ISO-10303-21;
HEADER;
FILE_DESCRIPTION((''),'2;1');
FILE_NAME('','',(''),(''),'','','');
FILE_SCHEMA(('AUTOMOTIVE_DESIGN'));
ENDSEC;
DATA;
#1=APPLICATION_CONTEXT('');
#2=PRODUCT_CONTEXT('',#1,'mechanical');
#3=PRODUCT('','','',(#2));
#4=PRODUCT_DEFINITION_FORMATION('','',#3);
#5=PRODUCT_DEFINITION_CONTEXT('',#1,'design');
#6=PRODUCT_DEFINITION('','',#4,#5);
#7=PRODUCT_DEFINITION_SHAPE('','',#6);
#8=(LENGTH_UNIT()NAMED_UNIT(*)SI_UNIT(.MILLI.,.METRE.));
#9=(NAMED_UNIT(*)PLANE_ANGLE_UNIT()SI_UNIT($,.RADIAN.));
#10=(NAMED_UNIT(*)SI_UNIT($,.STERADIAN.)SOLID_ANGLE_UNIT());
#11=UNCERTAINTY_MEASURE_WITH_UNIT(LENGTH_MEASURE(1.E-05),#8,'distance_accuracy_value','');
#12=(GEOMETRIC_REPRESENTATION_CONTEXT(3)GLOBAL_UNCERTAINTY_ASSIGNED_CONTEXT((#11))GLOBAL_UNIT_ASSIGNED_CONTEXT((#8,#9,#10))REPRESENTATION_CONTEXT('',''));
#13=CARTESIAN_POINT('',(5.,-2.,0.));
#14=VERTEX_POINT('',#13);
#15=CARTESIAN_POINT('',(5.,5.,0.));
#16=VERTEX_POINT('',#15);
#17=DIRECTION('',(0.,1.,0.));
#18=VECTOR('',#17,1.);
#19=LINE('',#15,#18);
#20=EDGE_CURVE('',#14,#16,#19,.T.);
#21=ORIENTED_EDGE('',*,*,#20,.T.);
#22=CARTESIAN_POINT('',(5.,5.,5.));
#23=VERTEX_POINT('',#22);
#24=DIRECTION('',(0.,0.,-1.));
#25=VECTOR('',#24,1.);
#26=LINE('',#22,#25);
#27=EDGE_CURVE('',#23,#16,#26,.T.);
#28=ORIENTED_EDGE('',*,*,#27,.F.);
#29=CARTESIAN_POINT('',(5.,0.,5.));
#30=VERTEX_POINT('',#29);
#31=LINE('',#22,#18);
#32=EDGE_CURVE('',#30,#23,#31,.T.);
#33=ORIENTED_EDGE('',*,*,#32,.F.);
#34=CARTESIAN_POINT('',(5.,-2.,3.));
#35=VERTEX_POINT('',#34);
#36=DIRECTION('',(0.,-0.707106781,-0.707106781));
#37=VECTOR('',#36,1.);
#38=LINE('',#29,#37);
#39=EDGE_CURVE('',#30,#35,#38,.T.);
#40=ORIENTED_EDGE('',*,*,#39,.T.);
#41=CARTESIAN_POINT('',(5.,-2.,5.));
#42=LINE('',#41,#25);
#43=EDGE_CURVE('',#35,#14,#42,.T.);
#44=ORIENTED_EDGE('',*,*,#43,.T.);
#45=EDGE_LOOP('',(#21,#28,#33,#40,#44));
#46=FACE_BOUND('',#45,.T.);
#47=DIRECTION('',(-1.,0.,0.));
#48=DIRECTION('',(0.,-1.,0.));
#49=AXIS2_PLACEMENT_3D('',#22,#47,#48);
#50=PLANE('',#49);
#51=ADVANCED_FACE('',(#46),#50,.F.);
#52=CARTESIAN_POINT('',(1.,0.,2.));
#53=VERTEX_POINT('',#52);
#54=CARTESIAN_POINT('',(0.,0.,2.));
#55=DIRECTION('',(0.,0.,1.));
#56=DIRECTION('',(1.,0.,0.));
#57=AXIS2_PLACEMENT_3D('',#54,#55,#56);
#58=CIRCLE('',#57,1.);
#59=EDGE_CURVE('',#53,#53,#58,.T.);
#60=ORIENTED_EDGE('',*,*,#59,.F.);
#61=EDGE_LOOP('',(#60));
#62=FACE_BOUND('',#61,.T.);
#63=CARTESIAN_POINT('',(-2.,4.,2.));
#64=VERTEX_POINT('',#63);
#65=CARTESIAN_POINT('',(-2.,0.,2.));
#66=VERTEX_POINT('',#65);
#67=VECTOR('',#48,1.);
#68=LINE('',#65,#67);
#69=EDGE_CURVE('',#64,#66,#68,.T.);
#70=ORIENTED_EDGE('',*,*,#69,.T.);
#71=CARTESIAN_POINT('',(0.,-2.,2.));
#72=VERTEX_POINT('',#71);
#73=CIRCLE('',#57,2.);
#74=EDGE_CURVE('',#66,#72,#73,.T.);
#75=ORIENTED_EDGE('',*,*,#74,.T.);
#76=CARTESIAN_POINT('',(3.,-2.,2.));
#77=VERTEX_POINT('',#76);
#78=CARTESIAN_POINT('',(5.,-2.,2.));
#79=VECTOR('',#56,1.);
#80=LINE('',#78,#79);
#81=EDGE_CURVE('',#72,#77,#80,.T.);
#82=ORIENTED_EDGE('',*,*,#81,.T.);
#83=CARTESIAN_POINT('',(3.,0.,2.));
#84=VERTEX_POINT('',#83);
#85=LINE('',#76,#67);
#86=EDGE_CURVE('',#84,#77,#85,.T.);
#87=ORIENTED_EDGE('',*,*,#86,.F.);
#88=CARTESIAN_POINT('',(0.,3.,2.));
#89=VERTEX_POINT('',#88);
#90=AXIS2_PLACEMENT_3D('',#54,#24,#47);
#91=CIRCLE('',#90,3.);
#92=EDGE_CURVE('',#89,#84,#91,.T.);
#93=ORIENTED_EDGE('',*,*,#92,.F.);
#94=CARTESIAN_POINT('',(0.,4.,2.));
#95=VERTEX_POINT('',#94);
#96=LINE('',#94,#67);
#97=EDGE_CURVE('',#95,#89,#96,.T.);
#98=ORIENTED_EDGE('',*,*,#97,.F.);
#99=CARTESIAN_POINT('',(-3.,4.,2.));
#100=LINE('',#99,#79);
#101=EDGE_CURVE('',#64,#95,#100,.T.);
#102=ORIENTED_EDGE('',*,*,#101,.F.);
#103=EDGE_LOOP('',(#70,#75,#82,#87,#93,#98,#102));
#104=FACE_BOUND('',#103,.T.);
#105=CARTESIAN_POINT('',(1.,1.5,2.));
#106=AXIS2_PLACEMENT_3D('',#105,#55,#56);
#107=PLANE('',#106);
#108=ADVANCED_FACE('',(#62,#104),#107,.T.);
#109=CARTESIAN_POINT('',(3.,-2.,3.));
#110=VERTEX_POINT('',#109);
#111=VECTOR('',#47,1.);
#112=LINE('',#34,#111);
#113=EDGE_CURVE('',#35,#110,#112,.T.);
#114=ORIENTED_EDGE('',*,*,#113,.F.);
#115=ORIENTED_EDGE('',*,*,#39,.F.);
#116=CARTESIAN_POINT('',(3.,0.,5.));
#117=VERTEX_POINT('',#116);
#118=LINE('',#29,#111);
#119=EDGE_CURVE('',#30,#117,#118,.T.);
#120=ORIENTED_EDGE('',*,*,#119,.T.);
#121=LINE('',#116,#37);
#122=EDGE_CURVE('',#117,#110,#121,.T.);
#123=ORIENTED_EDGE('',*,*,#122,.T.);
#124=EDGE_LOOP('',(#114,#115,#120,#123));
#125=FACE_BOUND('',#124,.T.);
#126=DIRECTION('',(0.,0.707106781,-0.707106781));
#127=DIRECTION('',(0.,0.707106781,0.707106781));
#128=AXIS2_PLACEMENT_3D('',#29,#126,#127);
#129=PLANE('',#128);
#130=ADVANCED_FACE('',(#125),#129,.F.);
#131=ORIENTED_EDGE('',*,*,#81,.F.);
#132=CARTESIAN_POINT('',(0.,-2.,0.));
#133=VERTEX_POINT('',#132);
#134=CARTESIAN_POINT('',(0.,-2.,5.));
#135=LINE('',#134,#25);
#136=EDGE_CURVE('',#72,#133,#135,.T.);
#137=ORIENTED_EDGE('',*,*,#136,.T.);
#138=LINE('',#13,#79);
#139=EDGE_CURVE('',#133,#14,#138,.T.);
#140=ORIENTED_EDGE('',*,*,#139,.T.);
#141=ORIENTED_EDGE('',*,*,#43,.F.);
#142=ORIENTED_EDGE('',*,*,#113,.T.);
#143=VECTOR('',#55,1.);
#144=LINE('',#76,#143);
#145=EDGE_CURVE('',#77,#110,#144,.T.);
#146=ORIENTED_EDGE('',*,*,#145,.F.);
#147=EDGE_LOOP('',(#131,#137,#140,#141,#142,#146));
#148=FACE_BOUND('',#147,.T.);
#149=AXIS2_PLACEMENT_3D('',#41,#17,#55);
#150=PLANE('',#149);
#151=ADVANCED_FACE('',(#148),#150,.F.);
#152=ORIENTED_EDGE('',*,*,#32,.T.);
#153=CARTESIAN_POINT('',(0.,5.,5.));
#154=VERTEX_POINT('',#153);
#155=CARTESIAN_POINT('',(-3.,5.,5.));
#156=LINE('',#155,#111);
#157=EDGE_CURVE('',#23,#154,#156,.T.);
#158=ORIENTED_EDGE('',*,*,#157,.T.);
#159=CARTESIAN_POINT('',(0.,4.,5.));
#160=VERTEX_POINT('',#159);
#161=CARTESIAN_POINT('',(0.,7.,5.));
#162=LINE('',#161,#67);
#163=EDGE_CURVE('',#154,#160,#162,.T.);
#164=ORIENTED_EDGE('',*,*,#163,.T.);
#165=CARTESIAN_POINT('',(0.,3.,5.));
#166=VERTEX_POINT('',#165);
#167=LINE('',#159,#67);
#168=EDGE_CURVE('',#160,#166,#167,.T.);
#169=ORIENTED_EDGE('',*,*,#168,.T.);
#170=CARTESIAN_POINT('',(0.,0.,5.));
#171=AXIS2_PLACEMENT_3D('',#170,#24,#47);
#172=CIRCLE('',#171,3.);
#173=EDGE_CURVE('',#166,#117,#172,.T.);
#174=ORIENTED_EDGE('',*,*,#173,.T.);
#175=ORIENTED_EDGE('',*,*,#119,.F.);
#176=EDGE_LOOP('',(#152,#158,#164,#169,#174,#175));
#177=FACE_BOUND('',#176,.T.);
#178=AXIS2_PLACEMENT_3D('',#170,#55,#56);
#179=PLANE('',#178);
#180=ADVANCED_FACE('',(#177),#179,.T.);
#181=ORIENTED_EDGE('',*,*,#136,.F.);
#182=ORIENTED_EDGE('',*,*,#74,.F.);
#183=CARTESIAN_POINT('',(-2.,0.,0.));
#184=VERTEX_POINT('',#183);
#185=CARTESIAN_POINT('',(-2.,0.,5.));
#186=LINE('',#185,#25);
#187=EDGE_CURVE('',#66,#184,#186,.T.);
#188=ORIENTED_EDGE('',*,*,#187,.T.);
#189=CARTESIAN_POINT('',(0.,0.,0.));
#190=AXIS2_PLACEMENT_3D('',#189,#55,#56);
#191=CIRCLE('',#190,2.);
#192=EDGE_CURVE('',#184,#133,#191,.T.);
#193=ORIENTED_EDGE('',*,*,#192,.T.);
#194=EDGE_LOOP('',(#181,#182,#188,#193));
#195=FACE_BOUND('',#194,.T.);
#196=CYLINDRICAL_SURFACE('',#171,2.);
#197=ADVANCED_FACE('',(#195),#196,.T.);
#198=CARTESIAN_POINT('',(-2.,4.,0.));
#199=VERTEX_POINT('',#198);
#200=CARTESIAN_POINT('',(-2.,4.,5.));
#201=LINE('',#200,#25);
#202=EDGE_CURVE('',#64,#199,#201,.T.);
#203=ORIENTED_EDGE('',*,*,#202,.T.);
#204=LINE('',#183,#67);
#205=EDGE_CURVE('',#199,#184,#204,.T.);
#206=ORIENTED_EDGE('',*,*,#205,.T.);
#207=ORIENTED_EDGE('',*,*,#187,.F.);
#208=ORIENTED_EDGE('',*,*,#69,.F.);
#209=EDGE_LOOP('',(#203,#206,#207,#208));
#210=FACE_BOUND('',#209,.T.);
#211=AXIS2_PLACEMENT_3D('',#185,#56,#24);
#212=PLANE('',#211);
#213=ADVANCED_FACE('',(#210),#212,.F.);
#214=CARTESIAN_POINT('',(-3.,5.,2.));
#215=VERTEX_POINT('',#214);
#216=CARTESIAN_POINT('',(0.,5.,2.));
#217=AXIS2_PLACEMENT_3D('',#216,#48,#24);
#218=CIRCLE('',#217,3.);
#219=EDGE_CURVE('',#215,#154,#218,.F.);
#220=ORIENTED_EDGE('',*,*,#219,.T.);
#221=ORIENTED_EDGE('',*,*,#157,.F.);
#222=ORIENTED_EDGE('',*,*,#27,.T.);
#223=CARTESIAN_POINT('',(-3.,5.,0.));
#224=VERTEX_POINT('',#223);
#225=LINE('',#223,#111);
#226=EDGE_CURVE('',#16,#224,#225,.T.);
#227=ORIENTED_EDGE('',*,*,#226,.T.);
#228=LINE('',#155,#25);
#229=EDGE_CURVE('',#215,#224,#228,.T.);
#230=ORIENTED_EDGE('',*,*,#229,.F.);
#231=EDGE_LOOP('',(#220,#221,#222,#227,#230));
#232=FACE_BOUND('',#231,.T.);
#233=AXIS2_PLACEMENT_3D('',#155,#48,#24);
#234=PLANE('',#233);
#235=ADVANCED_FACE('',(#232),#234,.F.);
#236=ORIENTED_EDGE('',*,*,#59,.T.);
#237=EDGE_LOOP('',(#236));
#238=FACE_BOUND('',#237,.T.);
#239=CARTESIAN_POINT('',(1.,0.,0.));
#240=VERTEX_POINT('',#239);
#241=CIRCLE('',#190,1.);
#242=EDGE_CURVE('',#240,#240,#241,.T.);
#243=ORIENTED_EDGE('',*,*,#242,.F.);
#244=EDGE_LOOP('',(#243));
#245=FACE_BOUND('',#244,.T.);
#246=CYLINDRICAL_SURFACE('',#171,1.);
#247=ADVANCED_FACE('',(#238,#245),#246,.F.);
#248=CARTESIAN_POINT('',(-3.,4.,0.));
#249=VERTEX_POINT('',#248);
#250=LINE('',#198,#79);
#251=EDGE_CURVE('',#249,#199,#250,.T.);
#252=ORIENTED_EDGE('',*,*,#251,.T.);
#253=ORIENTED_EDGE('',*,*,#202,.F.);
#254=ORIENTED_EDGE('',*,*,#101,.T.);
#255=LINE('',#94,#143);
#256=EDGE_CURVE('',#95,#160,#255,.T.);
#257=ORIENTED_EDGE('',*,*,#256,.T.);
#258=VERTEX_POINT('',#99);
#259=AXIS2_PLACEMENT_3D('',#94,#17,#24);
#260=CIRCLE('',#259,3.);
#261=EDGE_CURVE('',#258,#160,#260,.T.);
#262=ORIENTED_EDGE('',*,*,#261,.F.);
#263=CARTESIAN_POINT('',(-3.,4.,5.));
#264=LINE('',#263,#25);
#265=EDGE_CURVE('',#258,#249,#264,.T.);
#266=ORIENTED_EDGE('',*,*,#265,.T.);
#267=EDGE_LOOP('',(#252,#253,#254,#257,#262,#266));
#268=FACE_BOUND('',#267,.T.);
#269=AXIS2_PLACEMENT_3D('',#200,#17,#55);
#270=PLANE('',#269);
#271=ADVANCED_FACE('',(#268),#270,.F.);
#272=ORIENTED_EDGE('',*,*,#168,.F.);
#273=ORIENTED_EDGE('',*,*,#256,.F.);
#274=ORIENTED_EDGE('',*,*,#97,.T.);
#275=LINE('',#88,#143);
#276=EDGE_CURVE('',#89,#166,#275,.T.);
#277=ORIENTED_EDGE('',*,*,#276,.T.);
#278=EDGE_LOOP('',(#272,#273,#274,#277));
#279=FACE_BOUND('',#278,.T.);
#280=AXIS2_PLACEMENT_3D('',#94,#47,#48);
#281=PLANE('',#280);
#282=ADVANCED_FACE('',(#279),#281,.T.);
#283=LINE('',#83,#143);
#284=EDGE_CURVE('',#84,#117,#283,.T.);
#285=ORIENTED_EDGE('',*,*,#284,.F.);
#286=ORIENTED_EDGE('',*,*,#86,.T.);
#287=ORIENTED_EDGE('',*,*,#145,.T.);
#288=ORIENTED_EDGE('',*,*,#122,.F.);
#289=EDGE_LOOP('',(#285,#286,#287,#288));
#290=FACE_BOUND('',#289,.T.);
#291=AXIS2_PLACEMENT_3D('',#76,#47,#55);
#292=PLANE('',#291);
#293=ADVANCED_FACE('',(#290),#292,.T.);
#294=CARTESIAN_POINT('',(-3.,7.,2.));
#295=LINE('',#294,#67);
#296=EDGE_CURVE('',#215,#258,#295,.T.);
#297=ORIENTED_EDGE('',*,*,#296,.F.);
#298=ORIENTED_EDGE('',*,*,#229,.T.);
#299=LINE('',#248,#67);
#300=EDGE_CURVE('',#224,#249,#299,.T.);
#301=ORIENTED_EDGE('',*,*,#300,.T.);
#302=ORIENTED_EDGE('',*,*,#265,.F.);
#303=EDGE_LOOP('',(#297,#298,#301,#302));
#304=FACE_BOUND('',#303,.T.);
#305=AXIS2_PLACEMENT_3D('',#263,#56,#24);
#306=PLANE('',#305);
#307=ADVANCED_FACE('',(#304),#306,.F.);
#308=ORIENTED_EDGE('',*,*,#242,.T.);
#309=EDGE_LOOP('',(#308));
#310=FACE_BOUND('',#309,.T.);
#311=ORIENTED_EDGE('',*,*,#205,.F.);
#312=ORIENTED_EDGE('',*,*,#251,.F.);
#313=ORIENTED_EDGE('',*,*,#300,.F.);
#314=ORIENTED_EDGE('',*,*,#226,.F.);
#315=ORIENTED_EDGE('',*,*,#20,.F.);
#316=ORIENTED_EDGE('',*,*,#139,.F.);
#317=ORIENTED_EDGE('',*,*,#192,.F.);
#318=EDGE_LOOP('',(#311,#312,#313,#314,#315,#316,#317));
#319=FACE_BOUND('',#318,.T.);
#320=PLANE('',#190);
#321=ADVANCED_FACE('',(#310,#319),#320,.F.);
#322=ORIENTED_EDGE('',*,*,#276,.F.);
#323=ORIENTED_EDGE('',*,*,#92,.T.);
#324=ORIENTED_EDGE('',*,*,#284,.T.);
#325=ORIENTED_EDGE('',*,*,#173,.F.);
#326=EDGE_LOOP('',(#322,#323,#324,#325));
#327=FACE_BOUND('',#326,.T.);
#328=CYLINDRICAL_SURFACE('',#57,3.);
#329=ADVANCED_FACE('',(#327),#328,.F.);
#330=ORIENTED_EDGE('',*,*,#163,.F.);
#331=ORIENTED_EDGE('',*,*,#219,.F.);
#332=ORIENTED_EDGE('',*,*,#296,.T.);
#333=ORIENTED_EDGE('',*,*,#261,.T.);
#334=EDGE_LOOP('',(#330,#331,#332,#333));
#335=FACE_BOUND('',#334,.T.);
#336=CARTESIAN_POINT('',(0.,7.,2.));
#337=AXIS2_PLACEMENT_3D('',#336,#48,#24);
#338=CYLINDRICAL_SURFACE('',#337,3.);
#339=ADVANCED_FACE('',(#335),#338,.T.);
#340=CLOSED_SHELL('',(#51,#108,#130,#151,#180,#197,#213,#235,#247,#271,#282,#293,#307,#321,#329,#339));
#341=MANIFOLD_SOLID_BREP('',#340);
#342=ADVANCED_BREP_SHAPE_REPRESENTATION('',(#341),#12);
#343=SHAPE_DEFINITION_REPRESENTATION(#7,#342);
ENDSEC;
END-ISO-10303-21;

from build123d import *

# Parameters (mm, degrees)
SKETCH1_R           = 1
BOSS_EXTRUDE1_DEPTH = 5
SKETCH2_OUTSIDE_W   = 12.35
SKETCH2_OUTSIDE_H   = 11.35
CUT_EXTRUDE1_DEPTH  = 3
CUT_EXTRUDE2_DEPTH  = 3
CUT_EXTRUDE3_DEPTH  = 3


with BuildPart() as part:
    # Sketch1 → Boss-Extrude1 (new body)
    with BuildSketch(Plane.XY):
        with BuildLine():
            Line((-2, 0), (-2, 4))
            Line((-2, 4), (-3, 4))
            Line((-3, 4), (-3, 5))
            Line((-3, 5), (5, 5))
            Line((5, 5), (5, -2))
            Line((5, -2), (0, -2))
            ThreePointArc((0, -2), (-1.414213562, -1.414213562), (-2, 0))
        make_face()
        Circle(SKETCH1_R, mode=Mode.SUBTRACT)
    extrude(amount=BOSS_EXTRUDE1_DEPTH)

    # Sketch2 outside → Cut-Extrude1 (cut)
    with BuildSketch(Plane.XY.offset(5)):
        with Locations((1, 1.5)):
            Rectangle(SKETCH2_OUTSIDE_W, SKETCH2_OUTSIDE_H)
        with BuildLine():
            Line((5, -2), (5, 5))
            Line((5, 5), (-3, 5))
            Line((-3, 5), (-3, 4))
            Line((-3, 4), (-2, 4))
            Line((-2, 4), (0, 4))
            Line((0, 4), (0, 3))
            ThreePointArc((0, 3), (2.121320344, 2.121320344), (3, 0))
            Line((3, 0), (3, -2))
            Line((3, -2), (5, -2))
        make_face(mode=Mode.SUBTRACT)
    extrude(amount=-CUT_EXTRUDE1_DEPTH, mode=Mode.SUBTRACT)

    # Sketch3 → Cut-Extrude2 (cut)
    with BuildSketch(Plane.XZ.offset(-4)):
        with BuildLine():
            Line((-3, 2), (-3, 5))
            Line((-3, 5), (0, 5))
            ThreePointArc((0, 5), (-2.121320344, 4.121320344), (-3, 2))
        make_face()
    extrude(amount=-CUT_EXTRUDE2_DEPTH, mode=Mode.SUBTRACT)

    # Sketch4 → Cut-Extrude3 (cut, through all)
    with BuildSketch(Plane.ZY.offset(-3)):
        Polygon((5, 0), (3, -2), (5, -2), align=None)
    extrude(amount=-CUT_EXTRUDE3_DEPTH, mode=Mode.SUBTRACT)


solid = part.part
